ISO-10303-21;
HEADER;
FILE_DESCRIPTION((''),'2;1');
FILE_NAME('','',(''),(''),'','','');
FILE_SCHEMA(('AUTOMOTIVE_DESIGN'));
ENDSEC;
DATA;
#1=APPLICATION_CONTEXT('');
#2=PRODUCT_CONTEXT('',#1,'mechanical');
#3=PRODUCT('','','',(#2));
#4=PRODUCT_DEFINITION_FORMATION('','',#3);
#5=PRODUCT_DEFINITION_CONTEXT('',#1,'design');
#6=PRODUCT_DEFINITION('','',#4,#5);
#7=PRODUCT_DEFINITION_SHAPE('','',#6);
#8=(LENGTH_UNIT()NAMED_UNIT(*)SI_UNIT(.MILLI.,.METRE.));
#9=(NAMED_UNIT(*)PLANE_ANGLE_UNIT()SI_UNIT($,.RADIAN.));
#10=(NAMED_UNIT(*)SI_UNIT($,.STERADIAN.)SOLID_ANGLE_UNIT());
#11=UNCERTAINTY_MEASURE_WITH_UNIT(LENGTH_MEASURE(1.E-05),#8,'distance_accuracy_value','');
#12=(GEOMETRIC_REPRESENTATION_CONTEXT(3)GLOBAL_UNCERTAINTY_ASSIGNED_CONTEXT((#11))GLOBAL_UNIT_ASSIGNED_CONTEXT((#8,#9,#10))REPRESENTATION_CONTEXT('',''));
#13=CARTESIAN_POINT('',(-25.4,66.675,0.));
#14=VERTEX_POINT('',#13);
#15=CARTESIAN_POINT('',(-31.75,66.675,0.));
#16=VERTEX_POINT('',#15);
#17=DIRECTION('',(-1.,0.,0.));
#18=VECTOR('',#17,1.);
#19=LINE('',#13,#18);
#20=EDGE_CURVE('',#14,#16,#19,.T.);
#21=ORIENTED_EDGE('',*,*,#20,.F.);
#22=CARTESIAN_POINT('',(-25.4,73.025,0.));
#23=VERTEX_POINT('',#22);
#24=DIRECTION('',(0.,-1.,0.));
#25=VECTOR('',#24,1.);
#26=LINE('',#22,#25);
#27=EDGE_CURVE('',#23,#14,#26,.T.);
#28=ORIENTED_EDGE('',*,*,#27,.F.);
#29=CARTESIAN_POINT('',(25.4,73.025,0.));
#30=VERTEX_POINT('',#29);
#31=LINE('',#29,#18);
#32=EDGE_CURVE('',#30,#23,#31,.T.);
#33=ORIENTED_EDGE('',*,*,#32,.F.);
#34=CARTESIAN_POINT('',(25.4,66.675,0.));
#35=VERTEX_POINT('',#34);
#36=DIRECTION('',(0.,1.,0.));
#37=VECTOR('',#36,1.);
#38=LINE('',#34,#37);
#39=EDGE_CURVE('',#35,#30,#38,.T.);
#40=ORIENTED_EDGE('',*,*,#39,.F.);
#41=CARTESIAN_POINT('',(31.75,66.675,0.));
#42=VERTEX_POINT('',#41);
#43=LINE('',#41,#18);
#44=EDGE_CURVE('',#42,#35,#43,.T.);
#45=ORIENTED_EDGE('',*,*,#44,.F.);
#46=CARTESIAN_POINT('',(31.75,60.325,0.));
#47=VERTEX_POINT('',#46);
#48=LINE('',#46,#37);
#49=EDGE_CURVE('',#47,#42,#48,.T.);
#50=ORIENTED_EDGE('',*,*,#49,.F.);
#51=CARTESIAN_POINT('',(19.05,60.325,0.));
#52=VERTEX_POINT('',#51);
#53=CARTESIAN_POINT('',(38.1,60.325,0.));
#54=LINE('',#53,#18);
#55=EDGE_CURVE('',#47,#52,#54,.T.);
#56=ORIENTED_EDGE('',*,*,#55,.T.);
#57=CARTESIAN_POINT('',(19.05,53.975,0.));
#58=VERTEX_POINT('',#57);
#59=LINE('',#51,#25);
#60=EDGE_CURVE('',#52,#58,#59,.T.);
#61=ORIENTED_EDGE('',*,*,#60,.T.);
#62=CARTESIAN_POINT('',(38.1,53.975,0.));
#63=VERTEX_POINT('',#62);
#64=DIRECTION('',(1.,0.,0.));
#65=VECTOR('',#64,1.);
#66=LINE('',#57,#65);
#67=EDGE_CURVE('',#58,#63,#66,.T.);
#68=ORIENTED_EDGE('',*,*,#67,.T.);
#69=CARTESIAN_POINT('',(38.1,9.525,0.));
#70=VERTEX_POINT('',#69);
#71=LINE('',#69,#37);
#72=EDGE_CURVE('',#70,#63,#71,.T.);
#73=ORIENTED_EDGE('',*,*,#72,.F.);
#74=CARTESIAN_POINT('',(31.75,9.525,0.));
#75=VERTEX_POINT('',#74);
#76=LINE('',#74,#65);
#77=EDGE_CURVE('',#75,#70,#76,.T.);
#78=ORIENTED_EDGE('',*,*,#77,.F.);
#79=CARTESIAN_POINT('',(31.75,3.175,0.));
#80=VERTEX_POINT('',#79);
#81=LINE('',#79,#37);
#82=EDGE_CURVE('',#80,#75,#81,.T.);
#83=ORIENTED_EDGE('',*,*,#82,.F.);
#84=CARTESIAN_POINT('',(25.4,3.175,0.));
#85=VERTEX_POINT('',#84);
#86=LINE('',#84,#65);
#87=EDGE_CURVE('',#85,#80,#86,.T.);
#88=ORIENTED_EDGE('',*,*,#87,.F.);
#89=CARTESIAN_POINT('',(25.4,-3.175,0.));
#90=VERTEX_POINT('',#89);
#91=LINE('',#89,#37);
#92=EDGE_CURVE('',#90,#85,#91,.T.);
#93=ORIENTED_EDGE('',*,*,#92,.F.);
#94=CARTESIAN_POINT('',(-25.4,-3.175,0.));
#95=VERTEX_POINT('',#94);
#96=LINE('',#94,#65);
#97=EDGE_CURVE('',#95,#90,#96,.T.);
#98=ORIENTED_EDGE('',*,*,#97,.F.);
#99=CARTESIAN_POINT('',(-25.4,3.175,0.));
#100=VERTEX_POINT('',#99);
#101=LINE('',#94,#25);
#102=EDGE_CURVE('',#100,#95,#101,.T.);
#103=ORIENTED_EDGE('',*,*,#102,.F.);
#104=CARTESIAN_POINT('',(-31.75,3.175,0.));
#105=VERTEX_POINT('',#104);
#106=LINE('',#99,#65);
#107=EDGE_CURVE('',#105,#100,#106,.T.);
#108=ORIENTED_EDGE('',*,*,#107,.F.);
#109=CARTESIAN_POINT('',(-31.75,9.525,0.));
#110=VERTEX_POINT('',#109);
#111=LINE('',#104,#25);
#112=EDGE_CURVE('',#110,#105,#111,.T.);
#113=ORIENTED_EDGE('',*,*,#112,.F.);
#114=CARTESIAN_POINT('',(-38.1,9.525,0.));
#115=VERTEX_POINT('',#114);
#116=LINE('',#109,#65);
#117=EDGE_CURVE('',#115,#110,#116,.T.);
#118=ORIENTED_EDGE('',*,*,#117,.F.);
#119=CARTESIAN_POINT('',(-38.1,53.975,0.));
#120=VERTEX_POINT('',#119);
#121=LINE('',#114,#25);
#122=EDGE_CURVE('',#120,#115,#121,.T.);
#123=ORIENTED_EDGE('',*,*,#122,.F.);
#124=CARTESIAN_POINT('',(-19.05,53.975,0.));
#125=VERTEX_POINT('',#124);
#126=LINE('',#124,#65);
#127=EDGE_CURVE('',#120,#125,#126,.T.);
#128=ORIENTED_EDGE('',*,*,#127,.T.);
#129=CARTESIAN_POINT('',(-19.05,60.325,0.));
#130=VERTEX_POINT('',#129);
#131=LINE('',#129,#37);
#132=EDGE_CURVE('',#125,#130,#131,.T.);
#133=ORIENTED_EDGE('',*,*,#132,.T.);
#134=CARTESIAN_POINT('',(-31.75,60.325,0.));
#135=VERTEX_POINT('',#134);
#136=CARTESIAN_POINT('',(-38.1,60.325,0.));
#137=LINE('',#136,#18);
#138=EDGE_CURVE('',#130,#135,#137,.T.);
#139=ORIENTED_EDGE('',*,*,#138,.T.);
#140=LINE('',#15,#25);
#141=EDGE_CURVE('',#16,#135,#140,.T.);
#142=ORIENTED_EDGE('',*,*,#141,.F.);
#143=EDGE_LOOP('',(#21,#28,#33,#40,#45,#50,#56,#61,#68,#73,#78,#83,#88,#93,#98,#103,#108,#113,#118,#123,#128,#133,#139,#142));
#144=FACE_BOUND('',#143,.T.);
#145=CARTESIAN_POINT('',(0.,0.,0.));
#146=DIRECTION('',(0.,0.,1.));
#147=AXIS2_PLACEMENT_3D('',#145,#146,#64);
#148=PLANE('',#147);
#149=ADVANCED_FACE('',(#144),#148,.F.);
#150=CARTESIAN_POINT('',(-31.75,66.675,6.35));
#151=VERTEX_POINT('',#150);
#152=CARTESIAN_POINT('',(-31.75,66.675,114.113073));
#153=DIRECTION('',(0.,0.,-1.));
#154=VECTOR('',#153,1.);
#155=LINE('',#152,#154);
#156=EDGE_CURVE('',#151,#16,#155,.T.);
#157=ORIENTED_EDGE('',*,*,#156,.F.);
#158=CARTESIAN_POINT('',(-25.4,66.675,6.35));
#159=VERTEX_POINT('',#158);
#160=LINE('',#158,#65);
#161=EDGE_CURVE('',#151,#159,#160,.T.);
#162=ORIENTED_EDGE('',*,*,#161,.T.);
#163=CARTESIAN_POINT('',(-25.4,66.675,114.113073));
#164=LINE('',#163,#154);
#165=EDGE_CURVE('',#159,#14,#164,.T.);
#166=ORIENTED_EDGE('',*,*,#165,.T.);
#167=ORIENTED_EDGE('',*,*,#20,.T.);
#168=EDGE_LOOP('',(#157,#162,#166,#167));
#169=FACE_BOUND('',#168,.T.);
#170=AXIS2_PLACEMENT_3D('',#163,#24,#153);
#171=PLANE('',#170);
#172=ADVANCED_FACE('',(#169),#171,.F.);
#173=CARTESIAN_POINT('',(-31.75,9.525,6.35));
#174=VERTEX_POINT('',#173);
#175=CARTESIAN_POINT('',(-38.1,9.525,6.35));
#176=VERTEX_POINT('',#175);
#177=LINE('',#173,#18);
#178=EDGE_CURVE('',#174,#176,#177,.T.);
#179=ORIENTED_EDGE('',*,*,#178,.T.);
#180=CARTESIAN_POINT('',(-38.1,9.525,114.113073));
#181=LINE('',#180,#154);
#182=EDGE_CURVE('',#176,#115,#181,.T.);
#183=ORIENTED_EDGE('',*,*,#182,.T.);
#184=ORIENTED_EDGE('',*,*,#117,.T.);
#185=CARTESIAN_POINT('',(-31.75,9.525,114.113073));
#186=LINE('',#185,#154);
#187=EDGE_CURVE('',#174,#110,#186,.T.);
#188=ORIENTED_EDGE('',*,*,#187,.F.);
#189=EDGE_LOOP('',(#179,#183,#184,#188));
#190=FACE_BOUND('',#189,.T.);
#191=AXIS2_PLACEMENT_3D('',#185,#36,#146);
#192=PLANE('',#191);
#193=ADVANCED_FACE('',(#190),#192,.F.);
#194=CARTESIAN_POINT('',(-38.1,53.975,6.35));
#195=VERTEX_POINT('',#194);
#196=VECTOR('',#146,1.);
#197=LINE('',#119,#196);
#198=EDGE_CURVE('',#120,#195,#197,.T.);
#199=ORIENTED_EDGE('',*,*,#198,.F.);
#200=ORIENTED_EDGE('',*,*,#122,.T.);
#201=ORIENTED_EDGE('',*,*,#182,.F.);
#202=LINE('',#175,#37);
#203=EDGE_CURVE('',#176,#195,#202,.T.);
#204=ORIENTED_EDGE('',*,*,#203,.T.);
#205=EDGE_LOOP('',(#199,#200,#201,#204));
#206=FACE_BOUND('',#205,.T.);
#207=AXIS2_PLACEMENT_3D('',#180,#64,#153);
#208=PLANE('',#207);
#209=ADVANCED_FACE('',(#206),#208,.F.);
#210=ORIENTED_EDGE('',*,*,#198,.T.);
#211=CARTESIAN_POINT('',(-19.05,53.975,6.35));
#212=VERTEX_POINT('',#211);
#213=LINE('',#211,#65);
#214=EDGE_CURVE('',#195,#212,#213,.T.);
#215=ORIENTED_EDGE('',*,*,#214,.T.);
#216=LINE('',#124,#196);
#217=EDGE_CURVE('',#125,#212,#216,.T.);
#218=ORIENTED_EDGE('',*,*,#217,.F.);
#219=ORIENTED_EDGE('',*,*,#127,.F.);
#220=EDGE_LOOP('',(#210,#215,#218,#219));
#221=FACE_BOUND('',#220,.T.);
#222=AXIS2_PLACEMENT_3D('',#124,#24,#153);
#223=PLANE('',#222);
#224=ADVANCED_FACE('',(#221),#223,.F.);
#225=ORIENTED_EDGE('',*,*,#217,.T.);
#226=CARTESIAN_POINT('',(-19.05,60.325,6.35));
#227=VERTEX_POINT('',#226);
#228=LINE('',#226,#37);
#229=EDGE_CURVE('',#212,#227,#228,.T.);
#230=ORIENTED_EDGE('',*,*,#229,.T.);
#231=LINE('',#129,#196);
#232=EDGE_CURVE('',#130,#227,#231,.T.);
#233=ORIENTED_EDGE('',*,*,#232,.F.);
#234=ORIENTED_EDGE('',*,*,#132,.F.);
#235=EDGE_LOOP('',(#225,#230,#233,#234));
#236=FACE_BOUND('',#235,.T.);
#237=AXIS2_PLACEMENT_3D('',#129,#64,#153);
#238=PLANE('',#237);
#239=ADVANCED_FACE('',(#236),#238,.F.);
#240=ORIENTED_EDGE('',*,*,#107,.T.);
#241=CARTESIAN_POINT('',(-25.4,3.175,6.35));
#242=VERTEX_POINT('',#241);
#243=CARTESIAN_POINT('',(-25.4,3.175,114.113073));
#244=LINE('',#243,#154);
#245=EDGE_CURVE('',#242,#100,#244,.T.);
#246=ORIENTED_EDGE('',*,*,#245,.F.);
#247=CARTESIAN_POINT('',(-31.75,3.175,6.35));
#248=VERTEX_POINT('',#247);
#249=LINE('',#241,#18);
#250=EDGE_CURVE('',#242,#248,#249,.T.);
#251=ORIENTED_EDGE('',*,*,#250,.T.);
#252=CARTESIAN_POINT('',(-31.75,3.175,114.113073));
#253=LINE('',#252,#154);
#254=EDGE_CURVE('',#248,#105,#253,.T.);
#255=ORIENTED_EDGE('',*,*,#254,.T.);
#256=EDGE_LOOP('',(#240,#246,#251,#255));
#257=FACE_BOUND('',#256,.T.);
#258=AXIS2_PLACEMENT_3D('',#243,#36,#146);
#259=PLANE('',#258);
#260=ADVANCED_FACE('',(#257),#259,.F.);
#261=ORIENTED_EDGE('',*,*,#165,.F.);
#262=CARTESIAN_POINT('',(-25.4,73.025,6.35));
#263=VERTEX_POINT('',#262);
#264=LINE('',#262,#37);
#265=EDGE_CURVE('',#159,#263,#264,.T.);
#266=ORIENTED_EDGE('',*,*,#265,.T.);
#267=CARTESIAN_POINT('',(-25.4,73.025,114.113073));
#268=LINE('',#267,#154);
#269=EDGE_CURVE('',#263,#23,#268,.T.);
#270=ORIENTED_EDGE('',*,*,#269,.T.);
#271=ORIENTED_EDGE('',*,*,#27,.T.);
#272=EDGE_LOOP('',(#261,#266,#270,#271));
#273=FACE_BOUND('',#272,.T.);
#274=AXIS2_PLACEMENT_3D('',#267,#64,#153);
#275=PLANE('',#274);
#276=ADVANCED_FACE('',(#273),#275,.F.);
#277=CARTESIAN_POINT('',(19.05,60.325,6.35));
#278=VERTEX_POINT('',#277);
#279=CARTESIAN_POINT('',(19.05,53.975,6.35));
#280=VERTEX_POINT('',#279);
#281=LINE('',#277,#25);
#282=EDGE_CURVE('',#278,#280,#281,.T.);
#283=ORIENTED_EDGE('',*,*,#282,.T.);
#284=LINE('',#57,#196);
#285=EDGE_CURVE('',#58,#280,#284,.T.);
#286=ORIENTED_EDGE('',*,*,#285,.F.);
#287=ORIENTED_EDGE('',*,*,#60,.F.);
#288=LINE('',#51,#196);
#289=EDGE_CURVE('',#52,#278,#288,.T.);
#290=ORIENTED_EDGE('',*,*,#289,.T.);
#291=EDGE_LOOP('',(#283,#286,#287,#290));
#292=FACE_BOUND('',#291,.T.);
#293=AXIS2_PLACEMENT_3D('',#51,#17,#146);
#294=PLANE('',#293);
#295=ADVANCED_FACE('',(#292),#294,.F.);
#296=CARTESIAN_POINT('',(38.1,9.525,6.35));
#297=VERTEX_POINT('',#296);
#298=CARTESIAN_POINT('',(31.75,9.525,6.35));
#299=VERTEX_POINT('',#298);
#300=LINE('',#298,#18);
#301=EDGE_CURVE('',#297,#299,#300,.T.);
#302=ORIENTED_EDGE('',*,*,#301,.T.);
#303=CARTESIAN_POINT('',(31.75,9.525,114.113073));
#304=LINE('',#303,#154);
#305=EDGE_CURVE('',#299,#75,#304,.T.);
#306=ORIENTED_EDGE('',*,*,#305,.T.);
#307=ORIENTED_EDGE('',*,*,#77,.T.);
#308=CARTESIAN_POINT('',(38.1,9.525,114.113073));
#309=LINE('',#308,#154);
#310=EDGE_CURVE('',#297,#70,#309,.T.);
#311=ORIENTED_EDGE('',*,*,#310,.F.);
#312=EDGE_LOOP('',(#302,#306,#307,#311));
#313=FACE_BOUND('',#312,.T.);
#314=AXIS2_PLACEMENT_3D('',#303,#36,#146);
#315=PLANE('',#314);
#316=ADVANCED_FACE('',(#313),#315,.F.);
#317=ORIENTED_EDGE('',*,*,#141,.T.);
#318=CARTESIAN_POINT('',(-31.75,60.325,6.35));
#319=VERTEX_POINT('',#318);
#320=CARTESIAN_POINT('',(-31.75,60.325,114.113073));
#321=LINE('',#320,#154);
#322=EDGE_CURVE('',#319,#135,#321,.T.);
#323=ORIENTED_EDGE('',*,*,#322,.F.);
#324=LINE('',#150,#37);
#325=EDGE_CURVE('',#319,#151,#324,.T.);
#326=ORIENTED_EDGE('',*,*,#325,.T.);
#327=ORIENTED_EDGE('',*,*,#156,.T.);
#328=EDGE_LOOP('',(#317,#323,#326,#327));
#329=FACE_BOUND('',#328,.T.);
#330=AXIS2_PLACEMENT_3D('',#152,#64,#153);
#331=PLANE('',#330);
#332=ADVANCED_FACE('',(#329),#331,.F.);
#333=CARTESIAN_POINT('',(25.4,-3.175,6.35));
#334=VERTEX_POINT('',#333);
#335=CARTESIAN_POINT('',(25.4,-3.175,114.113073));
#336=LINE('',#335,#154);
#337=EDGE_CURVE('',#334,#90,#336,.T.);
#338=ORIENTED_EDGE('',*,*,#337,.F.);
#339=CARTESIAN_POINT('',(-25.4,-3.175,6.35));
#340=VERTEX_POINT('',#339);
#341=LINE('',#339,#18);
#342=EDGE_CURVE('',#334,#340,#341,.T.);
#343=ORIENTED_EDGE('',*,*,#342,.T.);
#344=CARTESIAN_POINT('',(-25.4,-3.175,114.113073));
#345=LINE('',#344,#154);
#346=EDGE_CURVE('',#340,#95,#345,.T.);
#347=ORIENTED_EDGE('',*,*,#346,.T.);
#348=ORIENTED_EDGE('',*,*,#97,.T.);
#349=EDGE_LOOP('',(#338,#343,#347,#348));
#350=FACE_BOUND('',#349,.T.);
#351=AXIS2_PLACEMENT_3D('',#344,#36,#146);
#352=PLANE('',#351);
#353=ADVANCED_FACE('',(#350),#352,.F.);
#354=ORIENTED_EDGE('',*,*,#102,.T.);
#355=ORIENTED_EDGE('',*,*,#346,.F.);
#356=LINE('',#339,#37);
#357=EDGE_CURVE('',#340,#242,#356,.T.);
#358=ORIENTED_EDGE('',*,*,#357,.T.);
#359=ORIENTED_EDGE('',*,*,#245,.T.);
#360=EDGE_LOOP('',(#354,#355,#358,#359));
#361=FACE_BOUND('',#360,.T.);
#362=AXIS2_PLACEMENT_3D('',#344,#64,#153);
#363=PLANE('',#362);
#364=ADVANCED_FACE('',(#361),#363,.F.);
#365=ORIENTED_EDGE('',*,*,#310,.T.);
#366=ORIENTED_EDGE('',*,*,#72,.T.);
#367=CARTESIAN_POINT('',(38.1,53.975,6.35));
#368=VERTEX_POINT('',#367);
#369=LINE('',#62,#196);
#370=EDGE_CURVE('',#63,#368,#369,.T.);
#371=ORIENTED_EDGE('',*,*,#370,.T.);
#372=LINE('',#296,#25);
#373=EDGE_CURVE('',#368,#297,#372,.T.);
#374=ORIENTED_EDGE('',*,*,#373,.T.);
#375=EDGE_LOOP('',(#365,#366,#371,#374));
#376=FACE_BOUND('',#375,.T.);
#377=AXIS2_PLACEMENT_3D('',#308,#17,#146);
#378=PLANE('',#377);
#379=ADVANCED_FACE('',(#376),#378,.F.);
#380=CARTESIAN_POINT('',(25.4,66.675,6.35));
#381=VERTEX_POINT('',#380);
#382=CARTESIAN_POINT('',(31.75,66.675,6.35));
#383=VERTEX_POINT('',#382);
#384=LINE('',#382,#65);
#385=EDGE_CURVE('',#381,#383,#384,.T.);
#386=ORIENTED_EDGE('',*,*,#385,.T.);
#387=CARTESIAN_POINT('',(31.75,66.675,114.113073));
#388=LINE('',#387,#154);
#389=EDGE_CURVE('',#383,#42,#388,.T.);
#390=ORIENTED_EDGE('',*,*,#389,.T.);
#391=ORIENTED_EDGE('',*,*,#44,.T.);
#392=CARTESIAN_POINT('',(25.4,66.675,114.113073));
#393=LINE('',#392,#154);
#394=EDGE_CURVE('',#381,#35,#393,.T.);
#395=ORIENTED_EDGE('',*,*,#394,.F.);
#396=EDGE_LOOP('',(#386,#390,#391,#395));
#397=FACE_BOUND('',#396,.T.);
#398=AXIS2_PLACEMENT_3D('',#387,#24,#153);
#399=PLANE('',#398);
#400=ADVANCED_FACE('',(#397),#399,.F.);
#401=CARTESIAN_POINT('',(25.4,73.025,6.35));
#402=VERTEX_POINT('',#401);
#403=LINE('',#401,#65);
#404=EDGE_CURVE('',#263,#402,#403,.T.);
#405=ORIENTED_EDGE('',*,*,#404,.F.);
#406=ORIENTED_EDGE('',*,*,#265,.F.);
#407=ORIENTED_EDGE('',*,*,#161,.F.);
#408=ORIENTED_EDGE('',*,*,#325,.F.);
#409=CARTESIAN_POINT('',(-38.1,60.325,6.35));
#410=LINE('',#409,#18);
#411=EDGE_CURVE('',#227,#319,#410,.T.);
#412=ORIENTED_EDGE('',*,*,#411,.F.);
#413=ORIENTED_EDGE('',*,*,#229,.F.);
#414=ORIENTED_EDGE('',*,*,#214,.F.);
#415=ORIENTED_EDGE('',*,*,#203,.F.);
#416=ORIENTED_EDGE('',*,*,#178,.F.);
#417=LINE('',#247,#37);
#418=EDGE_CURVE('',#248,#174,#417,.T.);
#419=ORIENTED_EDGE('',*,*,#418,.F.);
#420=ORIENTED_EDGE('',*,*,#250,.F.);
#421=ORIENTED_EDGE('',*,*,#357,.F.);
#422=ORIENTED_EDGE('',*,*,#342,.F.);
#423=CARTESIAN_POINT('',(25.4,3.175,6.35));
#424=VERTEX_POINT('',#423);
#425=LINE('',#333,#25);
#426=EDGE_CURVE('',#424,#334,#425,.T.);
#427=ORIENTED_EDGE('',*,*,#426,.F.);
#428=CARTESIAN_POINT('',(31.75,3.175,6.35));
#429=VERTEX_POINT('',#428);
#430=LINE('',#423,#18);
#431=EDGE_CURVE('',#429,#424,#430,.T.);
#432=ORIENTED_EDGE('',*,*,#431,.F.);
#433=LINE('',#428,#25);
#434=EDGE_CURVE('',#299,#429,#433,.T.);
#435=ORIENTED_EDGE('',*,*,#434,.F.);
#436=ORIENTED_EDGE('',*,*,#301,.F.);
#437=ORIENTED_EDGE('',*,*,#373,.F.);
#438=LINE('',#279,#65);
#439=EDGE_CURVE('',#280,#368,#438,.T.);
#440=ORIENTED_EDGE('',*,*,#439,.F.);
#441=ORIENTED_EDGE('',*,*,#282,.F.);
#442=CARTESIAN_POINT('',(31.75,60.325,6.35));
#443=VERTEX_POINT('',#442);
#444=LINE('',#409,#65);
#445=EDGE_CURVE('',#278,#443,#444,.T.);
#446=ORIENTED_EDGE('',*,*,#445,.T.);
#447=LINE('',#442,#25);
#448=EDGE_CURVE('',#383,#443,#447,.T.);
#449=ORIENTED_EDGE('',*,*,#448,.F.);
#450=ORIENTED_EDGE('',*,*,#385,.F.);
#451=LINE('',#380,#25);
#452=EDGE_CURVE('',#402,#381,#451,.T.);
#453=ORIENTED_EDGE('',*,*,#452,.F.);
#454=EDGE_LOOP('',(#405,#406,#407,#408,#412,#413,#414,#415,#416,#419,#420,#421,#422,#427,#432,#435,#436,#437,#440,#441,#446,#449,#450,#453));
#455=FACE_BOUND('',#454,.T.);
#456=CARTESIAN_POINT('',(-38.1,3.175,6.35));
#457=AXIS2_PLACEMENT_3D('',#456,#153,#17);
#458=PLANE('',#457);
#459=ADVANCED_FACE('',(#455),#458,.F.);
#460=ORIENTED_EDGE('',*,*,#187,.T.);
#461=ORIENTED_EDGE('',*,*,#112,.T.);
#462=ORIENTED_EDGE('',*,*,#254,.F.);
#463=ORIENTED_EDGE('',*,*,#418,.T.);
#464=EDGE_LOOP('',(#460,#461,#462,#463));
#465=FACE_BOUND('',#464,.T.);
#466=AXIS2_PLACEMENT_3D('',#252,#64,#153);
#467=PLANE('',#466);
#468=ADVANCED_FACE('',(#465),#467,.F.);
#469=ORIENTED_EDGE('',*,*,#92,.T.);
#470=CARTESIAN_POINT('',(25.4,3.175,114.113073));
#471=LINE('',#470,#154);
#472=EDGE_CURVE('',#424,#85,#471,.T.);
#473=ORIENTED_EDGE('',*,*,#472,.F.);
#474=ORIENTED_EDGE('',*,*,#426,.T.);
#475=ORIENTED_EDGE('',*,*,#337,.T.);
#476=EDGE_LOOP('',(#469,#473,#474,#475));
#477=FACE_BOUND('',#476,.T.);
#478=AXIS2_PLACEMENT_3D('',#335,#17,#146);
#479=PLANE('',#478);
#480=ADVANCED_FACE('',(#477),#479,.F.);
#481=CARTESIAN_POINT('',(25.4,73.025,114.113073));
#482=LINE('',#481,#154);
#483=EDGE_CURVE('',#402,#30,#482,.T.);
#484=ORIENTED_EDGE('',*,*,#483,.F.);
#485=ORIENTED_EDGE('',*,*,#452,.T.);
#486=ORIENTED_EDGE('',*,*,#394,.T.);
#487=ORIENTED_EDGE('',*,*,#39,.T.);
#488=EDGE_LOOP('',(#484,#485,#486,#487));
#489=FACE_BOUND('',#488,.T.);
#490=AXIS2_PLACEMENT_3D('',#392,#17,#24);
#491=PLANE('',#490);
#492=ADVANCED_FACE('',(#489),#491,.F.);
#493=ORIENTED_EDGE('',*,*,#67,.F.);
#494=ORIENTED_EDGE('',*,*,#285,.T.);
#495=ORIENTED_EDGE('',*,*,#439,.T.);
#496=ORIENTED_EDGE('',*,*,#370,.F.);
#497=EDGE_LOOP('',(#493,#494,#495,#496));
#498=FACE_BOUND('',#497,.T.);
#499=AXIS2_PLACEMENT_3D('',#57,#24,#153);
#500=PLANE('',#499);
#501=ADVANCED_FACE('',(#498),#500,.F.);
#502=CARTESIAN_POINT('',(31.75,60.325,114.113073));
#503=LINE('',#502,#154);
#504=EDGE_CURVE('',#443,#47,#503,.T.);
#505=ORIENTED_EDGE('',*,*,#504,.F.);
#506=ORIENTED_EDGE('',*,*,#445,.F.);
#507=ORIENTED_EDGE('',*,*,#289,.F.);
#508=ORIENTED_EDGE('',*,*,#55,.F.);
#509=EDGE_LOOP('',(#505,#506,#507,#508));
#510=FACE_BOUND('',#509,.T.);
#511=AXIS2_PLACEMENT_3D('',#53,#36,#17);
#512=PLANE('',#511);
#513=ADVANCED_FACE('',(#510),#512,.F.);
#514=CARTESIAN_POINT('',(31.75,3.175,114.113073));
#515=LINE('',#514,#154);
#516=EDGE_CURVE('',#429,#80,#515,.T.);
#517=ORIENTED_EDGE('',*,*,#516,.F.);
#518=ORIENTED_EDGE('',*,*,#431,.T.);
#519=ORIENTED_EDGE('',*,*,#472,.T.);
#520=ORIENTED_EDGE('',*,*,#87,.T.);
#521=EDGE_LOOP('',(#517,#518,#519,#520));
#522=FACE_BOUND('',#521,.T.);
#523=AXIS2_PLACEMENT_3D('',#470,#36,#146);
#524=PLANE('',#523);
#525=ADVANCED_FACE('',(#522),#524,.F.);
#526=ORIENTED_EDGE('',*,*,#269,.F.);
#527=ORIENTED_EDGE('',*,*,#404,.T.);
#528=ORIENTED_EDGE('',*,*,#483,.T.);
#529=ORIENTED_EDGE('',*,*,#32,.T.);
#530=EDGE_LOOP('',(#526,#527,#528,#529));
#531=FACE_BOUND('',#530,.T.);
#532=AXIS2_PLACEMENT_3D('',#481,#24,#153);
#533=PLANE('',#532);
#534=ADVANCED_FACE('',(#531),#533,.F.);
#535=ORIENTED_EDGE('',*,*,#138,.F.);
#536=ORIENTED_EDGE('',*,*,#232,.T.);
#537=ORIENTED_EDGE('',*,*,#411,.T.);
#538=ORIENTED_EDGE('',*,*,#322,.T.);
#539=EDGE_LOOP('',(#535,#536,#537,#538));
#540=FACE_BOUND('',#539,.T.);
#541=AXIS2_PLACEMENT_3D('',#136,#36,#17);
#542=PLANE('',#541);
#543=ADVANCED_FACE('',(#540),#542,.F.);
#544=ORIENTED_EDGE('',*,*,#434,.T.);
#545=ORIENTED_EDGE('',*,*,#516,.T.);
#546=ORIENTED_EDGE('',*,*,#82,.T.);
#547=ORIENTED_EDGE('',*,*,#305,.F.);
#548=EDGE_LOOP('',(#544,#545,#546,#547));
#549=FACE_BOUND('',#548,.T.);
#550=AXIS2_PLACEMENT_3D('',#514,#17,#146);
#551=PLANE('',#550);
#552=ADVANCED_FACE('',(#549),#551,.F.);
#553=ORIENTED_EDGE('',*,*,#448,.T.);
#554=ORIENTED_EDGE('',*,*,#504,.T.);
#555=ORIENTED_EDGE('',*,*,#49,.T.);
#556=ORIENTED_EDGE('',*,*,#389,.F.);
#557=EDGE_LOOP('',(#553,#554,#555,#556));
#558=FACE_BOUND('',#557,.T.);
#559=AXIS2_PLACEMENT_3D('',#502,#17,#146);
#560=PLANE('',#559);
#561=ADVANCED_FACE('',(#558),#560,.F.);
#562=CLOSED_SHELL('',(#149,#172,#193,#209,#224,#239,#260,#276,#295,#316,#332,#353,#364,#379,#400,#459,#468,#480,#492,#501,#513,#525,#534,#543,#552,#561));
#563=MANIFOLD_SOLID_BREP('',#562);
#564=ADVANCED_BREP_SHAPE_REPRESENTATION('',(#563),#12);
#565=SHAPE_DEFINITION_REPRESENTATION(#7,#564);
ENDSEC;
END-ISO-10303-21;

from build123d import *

# Parameters (mm, degrees)
BOSS_EXTRUDE1_DEPTH = 6.35
SKETCH3_W           = 19.05
SKETCH3_H           = 6.35
CUT_EXTRUDE1_DEPTH  = 83.611035128


with BuildPart() as part:
    # Sketch1 → Boss-Extrude1 (new body)
    with BuildSketch(Plane.XY):
        Polygon((-25.4, -3.175), (25.4, -3.175), (25.4, 3.175), (31.75, 3.175), (31.75, 9.525), (38.1, 9.525), (38.1, 60.325), (31.75, 60.325), (31.75, 66.675), (25.4, 66.675), (25.4, 73.025), (-25.4, 73.025), (-25.4, 66.675), (-31.75, 66.675), (-31.75, 60.325), (-38.1, 60.325), (-38.1, 9.525), (-31.75, 9.525), (-31.75, 3.175), (-25.4, 3.175), align=None)
    extrude(amount=BOSS_EXTRUDE1_DEPTH)

    # Sketch3 → Cut-Extrude1 (cut, through all)
    with BuildSketch(Plane.XY.offset(6.35)):
        with Locations((28.575, 57.15)):
            Rectangle(SKETCH3_W, SKETCH3_H)
        with Locations((-28.575, 57.15)):
            Rectangle(SKETCH3_W, SKETCH3_H)
    extrude(amount=-CUT_EXTRUDE1_DEPTH, mode=Mode.SUBTRACT)


solid = part.part
